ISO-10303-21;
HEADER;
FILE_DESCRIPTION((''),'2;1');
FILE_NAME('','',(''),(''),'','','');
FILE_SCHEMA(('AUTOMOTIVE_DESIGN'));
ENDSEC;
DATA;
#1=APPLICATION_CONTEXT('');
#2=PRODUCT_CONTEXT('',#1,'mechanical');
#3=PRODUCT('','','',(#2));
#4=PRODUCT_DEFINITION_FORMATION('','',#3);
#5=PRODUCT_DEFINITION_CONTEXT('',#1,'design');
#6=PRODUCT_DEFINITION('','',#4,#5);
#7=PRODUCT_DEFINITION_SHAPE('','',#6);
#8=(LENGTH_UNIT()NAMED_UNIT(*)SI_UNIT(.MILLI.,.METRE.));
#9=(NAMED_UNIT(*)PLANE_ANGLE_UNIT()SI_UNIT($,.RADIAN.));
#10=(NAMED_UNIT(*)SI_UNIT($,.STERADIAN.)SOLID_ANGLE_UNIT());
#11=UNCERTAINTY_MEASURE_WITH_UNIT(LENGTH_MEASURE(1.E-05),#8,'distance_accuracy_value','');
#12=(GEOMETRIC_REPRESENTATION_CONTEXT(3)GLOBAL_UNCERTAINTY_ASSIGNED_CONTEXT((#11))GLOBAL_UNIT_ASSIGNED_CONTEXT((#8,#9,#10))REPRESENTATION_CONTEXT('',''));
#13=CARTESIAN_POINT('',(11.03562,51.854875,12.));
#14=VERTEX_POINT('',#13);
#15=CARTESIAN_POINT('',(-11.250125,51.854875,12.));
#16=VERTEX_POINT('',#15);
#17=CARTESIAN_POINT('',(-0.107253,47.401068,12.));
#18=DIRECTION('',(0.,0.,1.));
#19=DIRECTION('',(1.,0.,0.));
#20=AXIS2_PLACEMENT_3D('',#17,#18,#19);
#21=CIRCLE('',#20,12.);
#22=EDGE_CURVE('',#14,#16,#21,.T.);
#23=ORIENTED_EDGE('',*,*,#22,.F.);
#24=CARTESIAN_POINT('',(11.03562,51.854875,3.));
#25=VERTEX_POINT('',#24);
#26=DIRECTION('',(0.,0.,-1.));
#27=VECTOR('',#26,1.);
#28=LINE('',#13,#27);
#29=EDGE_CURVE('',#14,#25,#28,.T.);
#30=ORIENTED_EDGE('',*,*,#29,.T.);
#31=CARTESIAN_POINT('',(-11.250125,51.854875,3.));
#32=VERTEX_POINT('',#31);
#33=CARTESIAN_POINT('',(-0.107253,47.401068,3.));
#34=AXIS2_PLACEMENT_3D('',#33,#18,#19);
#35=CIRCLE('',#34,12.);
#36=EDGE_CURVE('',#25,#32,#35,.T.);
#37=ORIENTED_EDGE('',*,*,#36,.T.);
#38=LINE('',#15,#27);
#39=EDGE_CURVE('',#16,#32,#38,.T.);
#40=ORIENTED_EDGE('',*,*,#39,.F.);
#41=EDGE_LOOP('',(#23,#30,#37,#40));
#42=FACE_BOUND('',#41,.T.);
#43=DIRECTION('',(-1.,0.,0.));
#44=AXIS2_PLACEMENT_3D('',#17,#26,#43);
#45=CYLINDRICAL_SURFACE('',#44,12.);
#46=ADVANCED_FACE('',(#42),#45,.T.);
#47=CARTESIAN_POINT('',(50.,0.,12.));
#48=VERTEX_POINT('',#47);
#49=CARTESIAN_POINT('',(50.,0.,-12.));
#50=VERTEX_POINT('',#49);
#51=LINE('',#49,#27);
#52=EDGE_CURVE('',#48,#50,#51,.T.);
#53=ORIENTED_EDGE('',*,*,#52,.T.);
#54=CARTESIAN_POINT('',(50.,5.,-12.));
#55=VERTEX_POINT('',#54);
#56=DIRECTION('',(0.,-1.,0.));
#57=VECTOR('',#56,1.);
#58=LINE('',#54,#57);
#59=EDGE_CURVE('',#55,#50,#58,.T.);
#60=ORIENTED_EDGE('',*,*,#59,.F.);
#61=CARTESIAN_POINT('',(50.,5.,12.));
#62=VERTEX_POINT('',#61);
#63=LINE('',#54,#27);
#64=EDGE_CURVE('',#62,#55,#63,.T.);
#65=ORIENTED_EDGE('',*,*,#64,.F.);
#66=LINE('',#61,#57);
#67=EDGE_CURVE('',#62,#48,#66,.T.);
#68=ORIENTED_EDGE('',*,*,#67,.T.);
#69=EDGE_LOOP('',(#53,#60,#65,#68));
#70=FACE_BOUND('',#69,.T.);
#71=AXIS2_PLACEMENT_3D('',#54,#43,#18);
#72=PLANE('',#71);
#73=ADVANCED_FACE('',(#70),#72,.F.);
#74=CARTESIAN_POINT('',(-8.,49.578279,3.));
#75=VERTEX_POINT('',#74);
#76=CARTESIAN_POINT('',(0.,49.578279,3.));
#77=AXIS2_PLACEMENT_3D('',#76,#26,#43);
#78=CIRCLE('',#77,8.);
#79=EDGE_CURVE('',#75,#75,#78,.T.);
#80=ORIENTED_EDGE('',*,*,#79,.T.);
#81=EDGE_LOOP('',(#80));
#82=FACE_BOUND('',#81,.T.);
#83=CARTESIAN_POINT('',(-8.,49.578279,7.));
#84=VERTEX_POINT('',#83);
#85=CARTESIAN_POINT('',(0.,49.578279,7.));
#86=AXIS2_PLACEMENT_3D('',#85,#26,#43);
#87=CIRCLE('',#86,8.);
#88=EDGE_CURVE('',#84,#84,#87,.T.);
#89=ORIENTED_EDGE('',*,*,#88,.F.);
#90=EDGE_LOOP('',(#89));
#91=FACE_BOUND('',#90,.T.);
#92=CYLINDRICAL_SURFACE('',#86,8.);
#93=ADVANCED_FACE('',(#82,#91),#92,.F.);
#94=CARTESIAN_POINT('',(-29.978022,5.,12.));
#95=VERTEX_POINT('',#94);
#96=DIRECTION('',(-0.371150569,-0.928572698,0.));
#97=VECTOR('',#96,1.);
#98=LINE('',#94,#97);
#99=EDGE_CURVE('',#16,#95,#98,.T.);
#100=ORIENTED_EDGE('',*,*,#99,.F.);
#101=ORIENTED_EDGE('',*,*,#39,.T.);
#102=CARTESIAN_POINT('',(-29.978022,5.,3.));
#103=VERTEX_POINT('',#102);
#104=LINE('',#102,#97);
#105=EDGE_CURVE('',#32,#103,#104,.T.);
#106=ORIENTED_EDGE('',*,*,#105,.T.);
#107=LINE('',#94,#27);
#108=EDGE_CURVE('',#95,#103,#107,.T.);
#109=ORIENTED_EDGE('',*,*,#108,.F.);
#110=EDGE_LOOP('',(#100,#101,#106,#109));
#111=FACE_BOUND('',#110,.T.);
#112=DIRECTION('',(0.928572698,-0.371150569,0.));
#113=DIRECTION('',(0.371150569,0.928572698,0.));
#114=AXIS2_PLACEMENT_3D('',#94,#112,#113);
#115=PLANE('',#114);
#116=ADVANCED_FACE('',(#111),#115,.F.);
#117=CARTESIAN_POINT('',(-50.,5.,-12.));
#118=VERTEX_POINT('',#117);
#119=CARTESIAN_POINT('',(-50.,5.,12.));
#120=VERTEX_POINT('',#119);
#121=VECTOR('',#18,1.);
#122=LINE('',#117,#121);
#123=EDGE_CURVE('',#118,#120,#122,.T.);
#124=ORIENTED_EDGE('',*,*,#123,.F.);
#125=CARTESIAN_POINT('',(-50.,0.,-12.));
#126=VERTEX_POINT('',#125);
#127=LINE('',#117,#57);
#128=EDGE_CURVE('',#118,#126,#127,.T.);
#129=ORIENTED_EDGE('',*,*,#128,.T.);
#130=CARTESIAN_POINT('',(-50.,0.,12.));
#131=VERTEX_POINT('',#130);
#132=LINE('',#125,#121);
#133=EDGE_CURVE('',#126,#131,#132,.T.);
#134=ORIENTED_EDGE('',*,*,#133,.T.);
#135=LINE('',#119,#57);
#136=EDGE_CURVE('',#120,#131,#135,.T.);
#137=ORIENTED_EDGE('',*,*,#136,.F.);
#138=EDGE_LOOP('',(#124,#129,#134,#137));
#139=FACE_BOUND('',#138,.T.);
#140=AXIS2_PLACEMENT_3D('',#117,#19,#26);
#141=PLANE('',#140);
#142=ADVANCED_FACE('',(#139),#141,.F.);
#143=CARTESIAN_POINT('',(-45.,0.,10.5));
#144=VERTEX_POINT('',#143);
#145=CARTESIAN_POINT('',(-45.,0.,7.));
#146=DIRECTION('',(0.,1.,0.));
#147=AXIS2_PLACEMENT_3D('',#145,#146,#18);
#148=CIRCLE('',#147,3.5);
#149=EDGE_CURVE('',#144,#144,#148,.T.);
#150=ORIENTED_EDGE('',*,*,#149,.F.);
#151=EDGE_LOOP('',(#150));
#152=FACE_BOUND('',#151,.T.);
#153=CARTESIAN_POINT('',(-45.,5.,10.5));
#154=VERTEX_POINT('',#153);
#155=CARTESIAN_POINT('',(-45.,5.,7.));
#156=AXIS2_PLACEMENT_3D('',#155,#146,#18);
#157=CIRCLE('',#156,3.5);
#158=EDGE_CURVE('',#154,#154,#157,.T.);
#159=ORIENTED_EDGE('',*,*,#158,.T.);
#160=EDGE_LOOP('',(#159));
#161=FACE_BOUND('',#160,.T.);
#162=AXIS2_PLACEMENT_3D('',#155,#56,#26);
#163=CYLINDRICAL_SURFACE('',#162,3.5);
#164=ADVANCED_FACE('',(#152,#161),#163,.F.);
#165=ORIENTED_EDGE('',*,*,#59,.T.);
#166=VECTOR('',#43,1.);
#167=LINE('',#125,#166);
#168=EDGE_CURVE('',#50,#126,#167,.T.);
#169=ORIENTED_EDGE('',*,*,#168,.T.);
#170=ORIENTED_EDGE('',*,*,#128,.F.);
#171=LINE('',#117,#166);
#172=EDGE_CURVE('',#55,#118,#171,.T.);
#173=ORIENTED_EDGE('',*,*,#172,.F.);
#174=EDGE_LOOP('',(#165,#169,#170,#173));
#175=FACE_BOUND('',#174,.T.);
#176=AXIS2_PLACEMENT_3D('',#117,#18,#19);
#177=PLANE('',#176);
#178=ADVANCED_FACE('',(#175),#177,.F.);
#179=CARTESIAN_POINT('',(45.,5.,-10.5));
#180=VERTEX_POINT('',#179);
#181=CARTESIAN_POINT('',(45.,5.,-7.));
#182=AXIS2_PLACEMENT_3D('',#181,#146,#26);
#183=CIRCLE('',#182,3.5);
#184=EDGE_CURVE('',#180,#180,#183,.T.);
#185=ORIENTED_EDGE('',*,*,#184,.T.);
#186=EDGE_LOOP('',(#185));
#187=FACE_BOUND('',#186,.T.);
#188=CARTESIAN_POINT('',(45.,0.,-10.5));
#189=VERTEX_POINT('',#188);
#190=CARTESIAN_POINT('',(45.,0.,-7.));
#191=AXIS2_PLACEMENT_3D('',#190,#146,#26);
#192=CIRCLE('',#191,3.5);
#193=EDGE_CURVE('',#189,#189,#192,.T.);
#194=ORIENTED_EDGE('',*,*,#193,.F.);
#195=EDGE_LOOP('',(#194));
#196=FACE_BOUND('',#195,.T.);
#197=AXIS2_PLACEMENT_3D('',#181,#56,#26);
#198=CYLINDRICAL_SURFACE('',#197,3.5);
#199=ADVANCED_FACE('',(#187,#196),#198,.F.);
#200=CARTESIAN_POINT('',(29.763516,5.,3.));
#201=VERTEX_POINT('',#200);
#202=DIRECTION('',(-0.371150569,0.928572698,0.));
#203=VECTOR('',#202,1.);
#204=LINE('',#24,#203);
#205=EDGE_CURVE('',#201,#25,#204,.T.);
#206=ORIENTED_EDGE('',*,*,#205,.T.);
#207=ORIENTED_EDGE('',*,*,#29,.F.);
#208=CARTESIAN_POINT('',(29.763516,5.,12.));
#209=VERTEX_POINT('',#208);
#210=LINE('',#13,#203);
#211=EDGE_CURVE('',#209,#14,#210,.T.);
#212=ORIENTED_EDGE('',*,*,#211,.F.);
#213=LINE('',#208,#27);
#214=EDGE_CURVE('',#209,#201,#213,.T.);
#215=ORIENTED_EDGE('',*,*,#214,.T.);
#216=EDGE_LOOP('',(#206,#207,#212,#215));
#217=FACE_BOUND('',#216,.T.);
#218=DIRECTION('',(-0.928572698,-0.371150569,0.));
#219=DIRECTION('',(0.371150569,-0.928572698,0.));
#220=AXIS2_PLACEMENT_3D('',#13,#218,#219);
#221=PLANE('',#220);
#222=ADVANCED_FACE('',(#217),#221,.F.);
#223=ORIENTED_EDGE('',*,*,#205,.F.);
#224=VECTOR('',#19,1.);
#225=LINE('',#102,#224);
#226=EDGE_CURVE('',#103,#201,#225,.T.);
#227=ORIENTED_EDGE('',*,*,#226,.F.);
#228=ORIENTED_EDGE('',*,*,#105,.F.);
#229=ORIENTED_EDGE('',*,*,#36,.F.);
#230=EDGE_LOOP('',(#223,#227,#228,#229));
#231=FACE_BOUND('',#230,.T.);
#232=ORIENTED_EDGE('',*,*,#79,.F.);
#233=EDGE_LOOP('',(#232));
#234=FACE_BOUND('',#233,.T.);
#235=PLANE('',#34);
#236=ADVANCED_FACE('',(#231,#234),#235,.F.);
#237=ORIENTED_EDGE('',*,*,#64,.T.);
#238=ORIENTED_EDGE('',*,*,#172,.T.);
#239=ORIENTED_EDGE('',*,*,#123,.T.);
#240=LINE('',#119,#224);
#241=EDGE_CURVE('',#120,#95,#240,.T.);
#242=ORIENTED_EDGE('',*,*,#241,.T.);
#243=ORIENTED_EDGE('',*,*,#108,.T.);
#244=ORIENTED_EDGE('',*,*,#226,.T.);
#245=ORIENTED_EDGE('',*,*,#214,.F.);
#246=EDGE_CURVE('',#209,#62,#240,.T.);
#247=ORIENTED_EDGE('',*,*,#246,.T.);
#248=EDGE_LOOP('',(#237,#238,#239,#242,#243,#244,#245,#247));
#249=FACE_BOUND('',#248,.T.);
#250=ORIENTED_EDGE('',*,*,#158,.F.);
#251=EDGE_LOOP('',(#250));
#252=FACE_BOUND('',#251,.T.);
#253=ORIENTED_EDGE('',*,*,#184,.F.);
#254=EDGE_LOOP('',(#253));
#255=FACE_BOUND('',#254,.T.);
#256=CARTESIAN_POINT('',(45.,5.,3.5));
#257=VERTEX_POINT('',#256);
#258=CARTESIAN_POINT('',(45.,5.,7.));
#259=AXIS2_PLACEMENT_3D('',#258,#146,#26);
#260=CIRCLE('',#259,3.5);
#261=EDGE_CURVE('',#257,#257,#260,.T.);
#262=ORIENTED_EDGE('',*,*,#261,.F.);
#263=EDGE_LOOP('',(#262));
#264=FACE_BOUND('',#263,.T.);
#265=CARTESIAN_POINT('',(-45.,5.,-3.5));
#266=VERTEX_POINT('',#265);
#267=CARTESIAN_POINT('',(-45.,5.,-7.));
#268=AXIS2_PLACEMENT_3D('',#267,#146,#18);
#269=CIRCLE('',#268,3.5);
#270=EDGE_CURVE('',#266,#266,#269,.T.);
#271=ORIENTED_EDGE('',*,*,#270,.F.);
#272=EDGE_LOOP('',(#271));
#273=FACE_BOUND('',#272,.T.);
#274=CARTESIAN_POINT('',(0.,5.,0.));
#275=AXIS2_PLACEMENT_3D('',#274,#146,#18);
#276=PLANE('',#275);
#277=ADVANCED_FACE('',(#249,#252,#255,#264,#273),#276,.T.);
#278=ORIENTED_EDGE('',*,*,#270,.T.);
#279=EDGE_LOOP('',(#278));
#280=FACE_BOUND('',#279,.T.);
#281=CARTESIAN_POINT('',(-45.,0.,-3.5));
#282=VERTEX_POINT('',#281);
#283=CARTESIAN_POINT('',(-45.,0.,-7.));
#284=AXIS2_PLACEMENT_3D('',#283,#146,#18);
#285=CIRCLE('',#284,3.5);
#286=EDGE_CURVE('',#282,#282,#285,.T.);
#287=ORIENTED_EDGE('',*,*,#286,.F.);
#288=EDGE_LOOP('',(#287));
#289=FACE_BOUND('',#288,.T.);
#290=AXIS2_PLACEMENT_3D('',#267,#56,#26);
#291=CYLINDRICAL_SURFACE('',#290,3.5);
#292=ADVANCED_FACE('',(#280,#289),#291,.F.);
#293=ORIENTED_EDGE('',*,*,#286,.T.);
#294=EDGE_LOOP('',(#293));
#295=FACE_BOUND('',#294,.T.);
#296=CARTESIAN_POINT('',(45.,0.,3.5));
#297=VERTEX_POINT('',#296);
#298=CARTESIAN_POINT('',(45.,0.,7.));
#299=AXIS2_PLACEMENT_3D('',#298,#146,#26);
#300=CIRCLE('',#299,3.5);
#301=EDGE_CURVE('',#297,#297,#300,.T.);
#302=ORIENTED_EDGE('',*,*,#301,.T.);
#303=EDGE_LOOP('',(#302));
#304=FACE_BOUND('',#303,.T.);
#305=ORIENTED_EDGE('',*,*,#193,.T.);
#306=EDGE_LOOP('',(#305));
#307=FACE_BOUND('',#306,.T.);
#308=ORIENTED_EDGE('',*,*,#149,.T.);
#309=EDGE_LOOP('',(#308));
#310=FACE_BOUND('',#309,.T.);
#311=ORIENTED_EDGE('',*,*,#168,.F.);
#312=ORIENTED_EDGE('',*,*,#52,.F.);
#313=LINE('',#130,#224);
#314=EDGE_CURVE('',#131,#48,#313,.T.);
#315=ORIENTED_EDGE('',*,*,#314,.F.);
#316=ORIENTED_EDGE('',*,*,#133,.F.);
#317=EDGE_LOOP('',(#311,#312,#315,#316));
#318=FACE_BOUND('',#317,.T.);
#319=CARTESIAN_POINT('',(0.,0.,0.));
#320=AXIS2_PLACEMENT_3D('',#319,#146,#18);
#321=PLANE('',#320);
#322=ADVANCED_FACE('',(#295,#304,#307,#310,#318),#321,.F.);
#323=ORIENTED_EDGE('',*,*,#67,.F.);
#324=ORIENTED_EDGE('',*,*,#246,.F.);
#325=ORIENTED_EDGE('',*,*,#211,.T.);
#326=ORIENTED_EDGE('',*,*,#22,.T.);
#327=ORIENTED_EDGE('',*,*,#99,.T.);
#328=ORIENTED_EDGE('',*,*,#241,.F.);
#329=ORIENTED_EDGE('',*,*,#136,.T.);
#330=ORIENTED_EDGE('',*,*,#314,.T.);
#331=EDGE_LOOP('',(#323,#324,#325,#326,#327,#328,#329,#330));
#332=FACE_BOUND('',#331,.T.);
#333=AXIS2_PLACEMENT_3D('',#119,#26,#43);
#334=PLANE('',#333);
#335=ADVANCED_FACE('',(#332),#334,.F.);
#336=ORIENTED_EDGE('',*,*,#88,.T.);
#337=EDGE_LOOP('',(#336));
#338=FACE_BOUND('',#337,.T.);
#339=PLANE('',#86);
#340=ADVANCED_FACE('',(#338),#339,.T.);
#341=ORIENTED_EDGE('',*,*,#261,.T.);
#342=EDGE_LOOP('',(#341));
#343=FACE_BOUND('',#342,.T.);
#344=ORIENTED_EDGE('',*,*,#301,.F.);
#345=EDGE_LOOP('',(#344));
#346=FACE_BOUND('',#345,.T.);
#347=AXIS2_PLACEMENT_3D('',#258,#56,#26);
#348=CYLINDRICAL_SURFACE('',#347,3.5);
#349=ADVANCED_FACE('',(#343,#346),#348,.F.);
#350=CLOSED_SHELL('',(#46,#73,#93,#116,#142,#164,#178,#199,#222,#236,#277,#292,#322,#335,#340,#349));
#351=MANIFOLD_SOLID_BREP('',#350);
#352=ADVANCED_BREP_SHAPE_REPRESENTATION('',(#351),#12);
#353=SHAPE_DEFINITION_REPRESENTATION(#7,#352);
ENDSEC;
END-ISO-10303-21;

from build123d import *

# Parameters (mm, degrees)
SKETCH1_W           = 100
SKETCH1_H           = 24
SKETCH1_R           = 3.5
BOSS_EXTRUDE1_DEPTH = 5
BOSS_EXTRUDE2_DEPTH = 9
SKETCH3_R           = 8
CUT_EXTRUDE1_DEPTH  = 4


with BuildPart() as part:
    # Sketch1 → Boss-Extrude1 (new body)
    with BuildSketch(Plane(origin=(0, 0, 0), x_dir=(1, 0, 0), z_dir=(0, 1, 0))):
        Rectangle(SKETCH1_W, SKETCH1_H)
        with Locations((-45, 7)):
            Circle(SKETCH1_R, mode=Mode.SUBTRACT)
        with Locations((-45, -7)):
            Circle(SKETCH1_R, mode=Mode.SUBTRACT)
        with Locations((45, 7)):
            Circle(SKETCH1_R, mode=Mode.SUBTRACT)
        with Locations((45, -7)):
            Circle(SKETCH1_R, mode=Mode.SUBTRACT)
    extrude(amount=BOSS_EXTRUDE1_DEPTH)

    # Sketch2 → Boss-Extrude2 (add)
    with BuildSketch(Plane.XY.offset(3)):
        with BuildLine():
            Line((-29.978021695, 5), (29.763516014, 5))
            Line((29.763516014, 5), (11.035619534, 51.854874594))
            ThreePointArc((11.035619534, 51.854874594), (-0.107252841, 59.401067767), (-11.250125215, 51.854874594))
            Line((-11.250125215, 51.854874594), (-29.978021695, 5))
        make_face()
    extrude(amount=BOSS_EXTRUDE2_DEPTH)

    # Sketch3 → Cut-Extrude1 (cut)
    with BuildSketch(Plane(origin=(0, 0, 3), x_dir=(-1, 0, 0), z_dir=(0, 0, -1))):
        with Locations((0, 49.578279074)):
            Circle(SKETCH3_R)
    extrude(amount=-CUT_EXTRUDE1_DEPTH, mode=Mode.SUBTRACT)


solid = part.part
